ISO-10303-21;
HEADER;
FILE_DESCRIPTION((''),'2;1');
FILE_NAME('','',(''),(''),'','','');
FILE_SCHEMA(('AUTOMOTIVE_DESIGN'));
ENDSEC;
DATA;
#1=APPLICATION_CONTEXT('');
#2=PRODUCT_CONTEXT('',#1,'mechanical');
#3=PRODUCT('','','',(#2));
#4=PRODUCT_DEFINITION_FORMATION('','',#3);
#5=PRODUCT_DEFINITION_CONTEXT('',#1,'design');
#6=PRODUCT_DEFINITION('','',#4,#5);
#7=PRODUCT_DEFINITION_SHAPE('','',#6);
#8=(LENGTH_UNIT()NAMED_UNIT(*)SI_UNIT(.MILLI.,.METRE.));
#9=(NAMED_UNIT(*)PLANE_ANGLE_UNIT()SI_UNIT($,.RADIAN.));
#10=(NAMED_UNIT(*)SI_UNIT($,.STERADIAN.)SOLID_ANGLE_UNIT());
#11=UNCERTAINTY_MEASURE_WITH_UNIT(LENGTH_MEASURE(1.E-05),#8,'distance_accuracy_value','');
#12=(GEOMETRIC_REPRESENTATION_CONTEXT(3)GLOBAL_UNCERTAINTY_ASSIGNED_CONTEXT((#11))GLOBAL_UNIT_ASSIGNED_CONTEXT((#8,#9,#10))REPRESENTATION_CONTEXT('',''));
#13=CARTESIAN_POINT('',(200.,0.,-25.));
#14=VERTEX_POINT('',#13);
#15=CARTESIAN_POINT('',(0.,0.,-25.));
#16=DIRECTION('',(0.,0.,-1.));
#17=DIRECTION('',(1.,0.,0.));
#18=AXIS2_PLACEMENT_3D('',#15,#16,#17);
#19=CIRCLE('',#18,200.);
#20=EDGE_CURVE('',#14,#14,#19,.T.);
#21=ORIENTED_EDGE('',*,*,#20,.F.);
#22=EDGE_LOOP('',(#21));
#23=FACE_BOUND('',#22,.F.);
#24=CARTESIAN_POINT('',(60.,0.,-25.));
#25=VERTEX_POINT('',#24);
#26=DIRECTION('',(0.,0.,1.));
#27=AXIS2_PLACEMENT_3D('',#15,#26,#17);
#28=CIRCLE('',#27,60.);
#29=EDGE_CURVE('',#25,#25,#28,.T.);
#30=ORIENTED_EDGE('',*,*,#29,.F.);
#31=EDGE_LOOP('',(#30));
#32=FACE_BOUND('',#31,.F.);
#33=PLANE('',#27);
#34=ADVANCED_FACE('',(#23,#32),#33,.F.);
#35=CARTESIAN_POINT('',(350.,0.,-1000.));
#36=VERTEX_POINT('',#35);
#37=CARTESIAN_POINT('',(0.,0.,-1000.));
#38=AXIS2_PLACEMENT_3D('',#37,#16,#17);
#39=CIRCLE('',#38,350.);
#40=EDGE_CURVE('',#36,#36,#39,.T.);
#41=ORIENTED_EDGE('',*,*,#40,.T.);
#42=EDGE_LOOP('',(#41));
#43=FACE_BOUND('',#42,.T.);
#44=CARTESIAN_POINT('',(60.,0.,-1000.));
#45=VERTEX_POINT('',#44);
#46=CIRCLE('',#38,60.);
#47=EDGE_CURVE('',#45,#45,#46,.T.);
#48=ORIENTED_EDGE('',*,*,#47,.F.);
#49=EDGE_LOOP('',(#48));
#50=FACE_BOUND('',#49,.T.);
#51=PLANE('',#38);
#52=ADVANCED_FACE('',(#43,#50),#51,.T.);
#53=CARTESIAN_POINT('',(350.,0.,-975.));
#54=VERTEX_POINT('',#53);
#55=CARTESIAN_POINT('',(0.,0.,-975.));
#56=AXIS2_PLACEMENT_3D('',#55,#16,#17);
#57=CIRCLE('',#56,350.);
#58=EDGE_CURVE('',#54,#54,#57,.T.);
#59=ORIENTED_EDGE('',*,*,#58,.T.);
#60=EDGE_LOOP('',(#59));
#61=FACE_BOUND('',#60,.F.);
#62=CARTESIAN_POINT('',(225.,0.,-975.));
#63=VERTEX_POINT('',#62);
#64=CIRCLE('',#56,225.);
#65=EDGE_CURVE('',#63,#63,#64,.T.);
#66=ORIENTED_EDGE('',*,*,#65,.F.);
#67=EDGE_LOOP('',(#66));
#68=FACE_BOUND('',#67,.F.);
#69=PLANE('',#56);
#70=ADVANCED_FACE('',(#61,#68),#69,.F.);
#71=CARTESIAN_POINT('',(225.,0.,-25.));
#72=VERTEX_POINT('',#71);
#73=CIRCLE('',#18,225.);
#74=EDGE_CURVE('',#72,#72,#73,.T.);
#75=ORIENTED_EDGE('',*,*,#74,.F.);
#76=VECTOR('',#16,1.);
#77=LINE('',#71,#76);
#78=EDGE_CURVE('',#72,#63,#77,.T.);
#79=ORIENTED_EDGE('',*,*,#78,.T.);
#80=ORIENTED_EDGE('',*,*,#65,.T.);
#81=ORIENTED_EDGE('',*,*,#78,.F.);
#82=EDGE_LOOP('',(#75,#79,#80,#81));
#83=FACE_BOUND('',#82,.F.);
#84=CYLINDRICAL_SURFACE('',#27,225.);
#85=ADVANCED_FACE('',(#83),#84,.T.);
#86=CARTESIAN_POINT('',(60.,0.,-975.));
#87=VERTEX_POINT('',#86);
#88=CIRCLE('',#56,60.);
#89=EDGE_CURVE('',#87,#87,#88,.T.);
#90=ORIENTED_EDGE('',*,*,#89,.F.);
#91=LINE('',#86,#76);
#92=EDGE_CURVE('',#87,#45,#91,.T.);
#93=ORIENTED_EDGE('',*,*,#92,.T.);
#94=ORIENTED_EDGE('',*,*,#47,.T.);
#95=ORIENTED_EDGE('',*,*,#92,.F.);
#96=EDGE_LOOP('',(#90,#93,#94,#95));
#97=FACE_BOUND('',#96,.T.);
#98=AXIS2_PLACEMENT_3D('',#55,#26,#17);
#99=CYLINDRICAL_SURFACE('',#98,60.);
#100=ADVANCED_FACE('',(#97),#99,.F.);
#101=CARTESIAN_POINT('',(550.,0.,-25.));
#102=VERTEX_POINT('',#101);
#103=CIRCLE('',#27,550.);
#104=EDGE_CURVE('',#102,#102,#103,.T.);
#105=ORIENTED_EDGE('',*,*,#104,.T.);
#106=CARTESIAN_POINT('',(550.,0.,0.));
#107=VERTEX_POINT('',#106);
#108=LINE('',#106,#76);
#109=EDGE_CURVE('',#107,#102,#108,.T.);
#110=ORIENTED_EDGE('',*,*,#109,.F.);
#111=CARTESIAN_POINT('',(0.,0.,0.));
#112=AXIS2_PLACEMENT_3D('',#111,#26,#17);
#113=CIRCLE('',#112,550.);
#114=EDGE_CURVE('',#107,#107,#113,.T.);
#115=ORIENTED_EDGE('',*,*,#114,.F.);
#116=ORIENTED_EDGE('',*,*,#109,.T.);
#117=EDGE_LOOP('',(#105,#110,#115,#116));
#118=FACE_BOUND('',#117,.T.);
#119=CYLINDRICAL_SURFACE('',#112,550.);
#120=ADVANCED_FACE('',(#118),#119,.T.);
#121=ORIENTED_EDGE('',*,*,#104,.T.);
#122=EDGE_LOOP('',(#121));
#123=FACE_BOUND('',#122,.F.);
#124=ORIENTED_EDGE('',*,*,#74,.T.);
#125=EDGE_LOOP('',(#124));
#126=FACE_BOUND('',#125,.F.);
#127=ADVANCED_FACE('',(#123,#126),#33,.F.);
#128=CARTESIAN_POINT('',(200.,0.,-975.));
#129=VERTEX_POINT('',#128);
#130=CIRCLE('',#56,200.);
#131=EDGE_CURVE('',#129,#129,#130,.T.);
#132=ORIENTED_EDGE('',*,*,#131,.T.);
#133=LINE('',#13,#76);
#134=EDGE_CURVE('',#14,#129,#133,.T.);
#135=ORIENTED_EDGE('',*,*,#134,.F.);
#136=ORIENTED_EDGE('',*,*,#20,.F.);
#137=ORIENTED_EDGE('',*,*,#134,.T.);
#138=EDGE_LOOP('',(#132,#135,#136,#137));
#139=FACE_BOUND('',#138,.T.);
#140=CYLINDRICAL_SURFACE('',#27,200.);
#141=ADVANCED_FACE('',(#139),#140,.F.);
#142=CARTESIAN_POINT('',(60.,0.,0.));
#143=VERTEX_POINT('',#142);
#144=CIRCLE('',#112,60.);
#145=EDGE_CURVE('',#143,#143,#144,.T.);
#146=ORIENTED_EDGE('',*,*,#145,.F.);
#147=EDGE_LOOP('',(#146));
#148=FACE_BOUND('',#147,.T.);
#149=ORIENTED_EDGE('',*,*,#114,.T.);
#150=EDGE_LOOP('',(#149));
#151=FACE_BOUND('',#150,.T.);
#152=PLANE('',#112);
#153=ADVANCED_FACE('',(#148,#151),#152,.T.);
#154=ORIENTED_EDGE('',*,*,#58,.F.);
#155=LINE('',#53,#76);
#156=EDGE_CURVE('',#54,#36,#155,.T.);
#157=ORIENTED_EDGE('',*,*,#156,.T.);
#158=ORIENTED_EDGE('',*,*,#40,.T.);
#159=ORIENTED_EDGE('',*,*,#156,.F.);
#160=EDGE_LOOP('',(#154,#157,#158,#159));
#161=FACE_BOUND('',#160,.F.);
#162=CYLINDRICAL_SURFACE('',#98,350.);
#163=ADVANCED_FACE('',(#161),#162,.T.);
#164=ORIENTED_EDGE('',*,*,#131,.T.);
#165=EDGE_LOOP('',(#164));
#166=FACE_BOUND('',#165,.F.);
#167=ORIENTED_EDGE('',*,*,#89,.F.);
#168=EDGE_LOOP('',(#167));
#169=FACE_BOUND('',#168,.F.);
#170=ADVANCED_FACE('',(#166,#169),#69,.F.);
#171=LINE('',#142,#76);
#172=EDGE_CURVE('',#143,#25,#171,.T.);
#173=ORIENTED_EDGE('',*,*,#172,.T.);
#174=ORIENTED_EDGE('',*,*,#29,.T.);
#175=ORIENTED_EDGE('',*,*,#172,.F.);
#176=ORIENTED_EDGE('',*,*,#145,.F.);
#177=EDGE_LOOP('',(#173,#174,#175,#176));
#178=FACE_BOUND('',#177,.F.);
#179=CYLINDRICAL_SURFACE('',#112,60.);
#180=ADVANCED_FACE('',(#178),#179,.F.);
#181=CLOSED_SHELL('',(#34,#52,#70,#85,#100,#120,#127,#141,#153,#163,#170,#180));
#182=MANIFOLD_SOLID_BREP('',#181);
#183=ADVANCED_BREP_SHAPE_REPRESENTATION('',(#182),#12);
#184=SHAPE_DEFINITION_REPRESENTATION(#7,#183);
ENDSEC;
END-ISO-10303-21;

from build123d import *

# Parameters (mm, degrees)
F0_R     = 550
F0_R_2   = 60
F1_DEPTH = 25
F2_R     = 225
F2_R_2   = 200
F3_DEPTH = 950
F4_R     = 350
F4_R_2   = 225
F4_R_3   = 200
F4_R_4   = 60
F5_DEPTH = 25


with BuildPart() as f1:
    # F0 (on Top) → F1 (new body)
    with BuildSketch(Plane.XY):
        Circle(F0_R)
        Circle(F0_R_2, mode=Mode.SUBTRACT)
    extrude(amount=-F1_DEPTH)

    # F2 (on face) → F3 (join)
    with BuildSketch(Plane(origin=(0, 0, -25), x_dir=(1, 0, 0), z_dir=(0, 0, -1))):
        Circle(F2_R)
        Circle(F2_R_2, mode=Mode.SUBTRACT)
    extrude(amount=F3_DEPTH)

    # F4 (on face) → F5 (join)
    with BuildSketch(Plane(origin=(0, 0, -975), x_dir=(1, 0, 0), z_dir=(0, 0, -1))):
        Circle(F4_R)
        Circle(F4_R_2, mode=Mode.SUBTRACT)
        Circle(F4_R_2)
        Circle(F4_R_3, mode=Mode.SUBTRACT)
        Circle(F4_R_3)
        Circle(F4_R_4, mode=Mode.SUBTRACT)
    extrude(amount=F5_DEPTH)


solid = f1.part
